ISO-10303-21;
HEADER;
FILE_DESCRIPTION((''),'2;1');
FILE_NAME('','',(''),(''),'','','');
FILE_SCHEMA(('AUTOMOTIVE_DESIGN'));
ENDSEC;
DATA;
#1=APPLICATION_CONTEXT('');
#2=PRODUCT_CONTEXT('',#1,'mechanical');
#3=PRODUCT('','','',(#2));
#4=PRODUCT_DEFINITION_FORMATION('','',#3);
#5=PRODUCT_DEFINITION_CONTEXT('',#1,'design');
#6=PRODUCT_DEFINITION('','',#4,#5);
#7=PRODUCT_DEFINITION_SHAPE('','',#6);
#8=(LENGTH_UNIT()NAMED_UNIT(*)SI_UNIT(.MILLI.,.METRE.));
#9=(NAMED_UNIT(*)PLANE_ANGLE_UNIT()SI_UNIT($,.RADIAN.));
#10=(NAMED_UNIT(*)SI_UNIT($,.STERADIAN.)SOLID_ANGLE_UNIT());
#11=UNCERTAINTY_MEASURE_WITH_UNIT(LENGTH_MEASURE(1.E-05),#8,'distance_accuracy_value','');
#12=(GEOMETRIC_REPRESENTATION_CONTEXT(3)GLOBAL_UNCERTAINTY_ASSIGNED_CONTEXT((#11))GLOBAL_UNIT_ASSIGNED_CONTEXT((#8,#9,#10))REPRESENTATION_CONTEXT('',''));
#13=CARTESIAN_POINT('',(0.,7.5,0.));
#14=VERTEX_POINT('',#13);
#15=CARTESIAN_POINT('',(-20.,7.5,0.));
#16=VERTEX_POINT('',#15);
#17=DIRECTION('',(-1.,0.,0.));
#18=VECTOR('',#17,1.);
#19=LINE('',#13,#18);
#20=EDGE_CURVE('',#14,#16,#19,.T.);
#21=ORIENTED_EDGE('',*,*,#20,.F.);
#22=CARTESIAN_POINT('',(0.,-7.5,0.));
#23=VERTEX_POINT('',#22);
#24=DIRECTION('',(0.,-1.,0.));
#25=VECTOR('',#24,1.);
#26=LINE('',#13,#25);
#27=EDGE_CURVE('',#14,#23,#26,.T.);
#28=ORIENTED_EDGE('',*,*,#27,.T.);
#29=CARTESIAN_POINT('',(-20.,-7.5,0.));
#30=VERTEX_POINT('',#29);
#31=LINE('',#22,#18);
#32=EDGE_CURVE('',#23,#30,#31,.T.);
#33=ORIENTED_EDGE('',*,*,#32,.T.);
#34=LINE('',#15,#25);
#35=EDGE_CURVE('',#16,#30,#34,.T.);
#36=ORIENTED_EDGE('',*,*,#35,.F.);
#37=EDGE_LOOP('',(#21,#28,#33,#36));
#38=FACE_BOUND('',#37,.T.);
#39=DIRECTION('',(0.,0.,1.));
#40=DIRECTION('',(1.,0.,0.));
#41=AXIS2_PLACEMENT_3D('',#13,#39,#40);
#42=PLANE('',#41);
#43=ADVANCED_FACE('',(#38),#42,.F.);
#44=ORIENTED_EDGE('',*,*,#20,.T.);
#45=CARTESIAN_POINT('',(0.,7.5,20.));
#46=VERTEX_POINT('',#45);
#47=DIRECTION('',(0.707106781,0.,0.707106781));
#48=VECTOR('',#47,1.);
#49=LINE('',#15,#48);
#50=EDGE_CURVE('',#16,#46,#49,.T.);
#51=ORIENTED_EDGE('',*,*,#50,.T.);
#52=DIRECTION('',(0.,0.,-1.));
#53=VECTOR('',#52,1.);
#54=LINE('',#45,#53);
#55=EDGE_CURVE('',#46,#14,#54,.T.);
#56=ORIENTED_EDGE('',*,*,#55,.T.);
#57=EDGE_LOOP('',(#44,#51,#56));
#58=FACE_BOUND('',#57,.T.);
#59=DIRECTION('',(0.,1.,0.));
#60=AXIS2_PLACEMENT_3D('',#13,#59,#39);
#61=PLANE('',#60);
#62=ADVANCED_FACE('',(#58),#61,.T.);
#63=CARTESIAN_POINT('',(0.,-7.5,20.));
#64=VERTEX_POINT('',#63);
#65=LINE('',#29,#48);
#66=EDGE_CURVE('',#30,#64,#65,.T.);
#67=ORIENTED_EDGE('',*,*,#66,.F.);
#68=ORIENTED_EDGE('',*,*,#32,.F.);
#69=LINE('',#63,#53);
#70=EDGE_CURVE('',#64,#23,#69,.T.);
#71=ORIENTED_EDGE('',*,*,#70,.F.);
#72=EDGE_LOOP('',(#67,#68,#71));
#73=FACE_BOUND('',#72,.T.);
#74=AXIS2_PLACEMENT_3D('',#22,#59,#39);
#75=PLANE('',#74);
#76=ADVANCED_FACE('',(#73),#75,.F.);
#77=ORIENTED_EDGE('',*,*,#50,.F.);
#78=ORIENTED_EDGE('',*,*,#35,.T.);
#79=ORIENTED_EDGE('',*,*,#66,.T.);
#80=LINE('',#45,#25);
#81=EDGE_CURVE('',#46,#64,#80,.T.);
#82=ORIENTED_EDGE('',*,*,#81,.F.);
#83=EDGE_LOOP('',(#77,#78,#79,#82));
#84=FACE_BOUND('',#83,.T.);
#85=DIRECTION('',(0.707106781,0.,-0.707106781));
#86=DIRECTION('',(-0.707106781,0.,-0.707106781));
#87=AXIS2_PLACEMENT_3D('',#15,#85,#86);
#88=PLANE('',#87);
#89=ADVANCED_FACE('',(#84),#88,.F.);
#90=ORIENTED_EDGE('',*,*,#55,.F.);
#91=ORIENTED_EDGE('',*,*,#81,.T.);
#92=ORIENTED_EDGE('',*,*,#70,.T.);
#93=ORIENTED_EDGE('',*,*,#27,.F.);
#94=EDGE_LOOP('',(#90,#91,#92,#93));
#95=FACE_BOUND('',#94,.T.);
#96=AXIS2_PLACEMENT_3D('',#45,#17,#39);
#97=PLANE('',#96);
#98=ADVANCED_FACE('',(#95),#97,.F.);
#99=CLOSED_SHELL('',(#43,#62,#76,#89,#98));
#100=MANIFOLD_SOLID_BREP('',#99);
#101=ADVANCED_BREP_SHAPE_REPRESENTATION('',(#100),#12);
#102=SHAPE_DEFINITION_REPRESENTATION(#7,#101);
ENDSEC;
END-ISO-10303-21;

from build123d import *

# Parameters (mm, degrees)
AUFSATZ_LINEAR_AUSTRAGEN1_DEPTH = 7.5


with BuildPart() as part:
    # Skizze1 → Aufsatz-Linear austragen1 (new, symmetric)
    with BuildSketch(Plane(origin=(0, 0, 0), x_dir=(-1, 0, 0), z_dir=(0, 1, 0))):
        Polygon((0, 0), (20, 0), (0, 20), align=None)
    extrude(amount=AUFSATZ_LINEAR_AUSTRAGEN1_DEPTH, both=True)


solid = part.part
